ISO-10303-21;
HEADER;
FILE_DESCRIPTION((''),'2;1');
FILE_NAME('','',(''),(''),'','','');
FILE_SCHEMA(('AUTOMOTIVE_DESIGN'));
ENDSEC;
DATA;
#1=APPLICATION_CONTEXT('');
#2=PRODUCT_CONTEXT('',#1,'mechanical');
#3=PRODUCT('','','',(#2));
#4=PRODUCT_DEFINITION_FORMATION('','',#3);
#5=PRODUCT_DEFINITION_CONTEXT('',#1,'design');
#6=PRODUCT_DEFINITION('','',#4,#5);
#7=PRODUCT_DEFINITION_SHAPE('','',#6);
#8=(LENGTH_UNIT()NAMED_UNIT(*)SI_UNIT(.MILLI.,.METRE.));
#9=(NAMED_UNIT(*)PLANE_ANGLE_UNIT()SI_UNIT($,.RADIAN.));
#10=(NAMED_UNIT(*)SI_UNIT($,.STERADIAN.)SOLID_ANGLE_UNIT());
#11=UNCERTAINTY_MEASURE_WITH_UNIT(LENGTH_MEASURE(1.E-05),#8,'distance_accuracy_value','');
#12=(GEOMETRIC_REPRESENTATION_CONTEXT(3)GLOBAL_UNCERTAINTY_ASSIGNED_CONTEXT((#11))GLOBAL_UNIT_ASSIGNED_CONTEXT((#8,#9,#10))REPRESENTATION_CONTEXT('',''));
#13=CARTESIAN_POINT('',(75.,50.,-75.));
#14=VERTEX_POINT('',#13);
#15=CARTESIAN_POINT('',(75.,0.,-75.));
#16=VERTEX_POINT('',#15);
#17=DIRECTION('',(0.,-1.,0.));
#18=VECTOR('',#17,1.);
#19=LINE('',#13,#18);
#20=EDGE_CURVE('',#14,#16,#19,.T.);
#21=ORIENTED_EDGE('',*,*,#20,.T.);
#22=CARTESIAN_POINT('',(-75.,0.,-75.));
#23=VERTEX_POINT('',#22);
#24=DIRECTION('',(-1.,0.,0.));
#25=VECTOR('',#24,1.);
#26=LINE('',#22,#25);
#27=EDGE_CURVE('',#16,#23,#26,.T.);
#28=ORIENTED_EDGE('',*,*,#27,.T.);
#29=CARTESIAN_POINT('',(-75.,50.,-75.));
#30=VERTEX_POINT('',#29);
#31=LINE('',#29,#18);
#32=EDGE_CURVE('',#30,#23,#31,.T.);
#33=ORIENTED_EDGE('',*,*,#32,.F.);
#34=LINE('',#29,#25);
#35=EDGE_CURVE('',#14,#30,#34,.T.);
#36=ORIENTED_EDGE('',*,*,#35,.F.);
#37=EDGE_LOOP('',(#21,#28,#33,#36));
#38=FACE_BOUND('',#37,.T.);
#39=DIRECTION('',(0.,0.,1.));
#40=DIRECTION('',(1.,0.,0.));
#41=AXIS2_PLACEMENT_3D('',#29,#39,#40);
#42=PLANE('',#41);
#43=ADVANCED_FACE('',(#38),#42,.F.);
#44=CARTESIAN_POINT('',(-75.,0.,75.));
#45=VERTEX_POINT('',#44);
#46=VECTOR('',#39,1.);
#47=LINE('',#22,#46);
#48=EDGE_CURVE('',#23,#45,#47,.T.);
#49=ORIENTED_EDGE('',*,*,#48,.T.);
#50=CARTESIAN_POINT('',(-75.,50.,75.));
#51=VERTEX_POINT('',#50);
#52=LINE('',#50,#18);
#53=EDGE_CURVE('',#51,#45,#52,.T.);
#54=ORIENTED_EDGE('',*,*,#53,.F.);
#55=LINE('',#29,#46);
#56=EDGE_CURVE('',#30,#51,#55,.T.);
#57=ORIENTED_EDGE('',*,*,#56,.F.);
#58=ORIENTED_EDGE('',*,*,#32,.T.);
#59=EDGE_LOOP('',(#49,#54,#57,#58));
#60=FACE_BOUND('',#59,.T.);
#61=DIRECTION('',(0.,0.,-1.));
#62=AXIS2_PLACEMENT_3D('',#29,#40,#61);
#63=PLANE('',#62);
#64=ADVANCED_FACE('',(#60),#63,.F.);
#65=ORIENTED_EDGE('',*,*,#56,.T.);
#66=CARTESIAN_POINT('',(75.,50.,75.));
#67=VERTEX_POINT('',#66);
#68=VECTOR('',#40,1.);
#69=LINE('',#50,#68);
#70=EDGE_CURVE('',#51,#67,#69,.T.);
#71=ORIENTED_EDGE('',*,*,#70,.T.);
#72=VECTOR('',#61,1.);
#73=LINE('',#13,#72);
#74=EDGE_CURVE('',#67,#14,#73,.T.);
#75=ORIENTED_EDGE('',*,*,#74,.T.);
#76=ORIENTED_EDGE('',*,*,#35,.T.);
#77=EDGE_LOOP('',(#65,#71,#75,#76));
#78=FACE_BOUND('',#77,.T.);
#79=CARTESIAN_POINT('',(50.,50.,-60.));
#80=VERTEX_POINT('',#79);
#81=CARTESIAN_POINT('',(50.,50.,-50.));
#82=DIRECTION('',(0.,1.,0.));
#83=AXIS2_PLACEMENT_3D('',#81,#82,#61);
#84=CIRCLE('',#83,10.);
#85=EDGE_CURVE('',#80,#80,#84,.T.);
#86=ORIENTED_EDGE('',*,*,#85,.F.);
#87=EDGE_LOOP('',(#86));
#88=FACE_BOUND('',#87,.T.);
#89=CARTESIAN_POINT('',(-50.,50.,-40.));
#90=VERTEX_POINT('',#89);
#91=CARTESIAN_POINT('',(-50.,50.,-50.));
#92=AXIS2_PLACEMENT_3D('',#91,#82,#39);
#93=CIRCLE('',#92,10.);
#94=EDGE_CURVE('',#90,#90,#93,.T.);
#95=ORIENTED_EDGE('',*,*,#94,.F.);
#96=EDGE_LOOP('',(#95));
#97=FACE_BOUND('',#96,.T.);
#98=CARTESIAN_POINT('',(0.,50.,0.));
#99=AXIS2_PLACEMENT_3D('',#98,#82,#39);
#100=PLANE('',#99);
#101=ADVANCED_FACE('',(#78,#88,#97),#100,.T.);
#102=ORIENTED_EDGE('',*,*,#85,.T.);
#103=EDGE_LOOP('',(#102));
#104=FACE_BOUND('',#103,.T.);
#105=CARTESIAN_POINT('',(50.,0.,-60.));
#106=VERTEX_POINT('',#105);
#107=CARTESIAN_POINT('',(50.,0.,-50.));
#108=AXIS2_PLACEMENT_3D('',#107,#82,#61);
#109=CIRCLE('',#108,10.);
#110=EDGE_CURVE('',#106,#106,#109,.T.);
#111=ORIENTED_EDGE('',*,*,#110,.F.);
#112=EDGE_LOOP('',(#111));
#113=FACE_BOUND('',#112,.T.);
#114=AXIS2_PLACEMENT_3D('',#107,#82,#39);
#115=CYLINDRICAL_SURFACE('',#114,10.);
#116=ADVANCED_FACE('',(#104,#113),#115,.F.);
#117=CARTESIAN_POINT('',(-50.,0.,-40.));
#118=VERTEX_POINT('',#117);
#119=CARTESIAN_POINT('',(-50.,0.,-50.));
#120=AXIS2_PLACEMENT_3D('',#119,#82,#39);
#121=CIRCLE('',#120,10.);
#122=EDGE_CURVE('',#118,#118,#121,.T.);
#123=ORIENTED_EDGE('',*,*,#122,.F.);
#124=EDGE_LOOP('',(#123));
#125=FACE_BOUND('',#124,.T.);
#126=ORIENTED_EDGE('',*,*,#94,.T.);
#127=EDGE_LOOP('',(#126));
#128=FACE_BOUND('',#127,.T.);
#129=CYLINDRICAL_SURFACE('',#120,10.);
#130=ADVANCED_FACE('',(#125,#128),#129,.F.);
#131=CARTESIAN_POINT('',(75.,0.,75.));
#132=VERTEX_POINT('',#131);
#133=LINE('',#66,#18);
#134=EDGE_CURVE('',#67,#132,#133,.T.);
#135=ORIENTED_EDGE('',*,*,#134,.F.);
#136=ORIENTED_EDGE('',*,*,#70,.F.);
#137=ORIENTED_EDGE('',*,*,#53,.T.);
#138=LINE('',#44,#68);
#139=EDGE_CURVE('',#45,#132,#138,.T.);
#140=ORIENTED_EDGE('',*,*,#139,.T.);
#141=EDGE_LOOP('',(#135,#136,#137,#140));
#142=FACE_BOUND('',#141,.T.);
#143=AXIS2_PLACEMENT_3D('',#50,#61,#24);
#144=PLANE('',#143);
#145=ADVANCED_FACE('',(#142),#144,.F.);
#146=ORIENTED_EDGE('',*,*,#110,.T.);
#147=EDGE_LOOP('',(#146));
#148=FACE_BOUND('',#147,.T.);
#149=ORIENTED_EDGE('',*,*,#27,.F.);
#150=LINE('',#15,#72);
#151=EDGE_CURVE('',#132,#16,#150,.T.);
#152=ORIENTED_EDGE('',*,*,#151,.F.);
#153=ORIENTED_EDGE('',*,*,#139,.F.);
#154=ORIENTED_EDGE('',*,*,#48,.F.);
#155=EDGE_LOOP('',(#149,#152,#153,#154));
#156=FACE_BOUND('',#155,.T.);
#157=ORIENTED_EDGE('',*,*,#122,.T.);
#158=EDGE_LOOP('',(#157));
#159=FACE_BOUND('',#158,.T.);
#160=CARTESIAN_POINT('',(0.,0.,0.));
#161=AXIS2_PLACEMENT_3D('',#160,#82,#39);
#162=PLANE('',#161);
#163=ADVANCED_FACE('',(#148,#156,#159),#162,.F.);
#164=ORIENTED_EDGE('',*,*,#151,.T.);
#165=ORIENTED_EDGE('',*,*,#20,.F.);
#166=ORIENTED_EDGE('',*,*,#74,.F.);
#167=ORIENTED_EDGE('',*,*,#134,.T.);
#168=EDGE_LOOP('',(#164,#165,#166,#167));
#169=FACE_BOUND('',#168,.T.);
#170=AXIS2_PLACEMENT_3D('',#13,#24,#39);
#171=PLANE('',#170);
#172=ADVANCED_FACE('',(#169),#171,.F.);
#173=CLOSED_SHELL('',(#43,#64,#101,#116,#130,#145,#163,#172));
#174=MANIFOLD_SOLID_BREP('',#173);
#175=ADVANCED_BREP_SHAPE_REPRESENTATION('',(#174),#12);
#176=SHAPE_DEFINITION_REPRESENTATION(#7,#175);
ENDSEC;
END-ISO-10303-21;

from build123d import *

# Parameters (mm, degrees)
SKETCH1_W           = 150
SKETCH1_H           = 150
BOSS_EXTRUDE1_DEPTH = 50
SKETCH2_R           = 10
CUT_EXTRUDE1_DEPTH  = 50


with BuildPart() as part:
    # Sketch1 → Boss-Extrude1 (new body)
    with BuildSketch(Plane(origin=(0, 0, 0), x_dir=(1, 0, 0), z_dir=(0, 1, 0))):
        Rectangle(SKETCH1_W, SKETCH1_H)
    extrude(amount=BOSS_EXTRUDE1_DEPTH)

    # Sketch2 → Cut-Extrude1 (cut)
    with BuildSketch(Plane(origin=(0, 50, 0), x_dir=(1, 0, 0), z_dir=(0, 1, 0))):
        with Locations((-50, 50)):
            Circle(SKETCH2_R)
        with Locations((50, 50)):
            Circle(SKETCH2_R)
    extrude(amount=-CUT_EXTRUDE1_DEPTH, mode=Mode.SUBTRACT)


solid = part.part
